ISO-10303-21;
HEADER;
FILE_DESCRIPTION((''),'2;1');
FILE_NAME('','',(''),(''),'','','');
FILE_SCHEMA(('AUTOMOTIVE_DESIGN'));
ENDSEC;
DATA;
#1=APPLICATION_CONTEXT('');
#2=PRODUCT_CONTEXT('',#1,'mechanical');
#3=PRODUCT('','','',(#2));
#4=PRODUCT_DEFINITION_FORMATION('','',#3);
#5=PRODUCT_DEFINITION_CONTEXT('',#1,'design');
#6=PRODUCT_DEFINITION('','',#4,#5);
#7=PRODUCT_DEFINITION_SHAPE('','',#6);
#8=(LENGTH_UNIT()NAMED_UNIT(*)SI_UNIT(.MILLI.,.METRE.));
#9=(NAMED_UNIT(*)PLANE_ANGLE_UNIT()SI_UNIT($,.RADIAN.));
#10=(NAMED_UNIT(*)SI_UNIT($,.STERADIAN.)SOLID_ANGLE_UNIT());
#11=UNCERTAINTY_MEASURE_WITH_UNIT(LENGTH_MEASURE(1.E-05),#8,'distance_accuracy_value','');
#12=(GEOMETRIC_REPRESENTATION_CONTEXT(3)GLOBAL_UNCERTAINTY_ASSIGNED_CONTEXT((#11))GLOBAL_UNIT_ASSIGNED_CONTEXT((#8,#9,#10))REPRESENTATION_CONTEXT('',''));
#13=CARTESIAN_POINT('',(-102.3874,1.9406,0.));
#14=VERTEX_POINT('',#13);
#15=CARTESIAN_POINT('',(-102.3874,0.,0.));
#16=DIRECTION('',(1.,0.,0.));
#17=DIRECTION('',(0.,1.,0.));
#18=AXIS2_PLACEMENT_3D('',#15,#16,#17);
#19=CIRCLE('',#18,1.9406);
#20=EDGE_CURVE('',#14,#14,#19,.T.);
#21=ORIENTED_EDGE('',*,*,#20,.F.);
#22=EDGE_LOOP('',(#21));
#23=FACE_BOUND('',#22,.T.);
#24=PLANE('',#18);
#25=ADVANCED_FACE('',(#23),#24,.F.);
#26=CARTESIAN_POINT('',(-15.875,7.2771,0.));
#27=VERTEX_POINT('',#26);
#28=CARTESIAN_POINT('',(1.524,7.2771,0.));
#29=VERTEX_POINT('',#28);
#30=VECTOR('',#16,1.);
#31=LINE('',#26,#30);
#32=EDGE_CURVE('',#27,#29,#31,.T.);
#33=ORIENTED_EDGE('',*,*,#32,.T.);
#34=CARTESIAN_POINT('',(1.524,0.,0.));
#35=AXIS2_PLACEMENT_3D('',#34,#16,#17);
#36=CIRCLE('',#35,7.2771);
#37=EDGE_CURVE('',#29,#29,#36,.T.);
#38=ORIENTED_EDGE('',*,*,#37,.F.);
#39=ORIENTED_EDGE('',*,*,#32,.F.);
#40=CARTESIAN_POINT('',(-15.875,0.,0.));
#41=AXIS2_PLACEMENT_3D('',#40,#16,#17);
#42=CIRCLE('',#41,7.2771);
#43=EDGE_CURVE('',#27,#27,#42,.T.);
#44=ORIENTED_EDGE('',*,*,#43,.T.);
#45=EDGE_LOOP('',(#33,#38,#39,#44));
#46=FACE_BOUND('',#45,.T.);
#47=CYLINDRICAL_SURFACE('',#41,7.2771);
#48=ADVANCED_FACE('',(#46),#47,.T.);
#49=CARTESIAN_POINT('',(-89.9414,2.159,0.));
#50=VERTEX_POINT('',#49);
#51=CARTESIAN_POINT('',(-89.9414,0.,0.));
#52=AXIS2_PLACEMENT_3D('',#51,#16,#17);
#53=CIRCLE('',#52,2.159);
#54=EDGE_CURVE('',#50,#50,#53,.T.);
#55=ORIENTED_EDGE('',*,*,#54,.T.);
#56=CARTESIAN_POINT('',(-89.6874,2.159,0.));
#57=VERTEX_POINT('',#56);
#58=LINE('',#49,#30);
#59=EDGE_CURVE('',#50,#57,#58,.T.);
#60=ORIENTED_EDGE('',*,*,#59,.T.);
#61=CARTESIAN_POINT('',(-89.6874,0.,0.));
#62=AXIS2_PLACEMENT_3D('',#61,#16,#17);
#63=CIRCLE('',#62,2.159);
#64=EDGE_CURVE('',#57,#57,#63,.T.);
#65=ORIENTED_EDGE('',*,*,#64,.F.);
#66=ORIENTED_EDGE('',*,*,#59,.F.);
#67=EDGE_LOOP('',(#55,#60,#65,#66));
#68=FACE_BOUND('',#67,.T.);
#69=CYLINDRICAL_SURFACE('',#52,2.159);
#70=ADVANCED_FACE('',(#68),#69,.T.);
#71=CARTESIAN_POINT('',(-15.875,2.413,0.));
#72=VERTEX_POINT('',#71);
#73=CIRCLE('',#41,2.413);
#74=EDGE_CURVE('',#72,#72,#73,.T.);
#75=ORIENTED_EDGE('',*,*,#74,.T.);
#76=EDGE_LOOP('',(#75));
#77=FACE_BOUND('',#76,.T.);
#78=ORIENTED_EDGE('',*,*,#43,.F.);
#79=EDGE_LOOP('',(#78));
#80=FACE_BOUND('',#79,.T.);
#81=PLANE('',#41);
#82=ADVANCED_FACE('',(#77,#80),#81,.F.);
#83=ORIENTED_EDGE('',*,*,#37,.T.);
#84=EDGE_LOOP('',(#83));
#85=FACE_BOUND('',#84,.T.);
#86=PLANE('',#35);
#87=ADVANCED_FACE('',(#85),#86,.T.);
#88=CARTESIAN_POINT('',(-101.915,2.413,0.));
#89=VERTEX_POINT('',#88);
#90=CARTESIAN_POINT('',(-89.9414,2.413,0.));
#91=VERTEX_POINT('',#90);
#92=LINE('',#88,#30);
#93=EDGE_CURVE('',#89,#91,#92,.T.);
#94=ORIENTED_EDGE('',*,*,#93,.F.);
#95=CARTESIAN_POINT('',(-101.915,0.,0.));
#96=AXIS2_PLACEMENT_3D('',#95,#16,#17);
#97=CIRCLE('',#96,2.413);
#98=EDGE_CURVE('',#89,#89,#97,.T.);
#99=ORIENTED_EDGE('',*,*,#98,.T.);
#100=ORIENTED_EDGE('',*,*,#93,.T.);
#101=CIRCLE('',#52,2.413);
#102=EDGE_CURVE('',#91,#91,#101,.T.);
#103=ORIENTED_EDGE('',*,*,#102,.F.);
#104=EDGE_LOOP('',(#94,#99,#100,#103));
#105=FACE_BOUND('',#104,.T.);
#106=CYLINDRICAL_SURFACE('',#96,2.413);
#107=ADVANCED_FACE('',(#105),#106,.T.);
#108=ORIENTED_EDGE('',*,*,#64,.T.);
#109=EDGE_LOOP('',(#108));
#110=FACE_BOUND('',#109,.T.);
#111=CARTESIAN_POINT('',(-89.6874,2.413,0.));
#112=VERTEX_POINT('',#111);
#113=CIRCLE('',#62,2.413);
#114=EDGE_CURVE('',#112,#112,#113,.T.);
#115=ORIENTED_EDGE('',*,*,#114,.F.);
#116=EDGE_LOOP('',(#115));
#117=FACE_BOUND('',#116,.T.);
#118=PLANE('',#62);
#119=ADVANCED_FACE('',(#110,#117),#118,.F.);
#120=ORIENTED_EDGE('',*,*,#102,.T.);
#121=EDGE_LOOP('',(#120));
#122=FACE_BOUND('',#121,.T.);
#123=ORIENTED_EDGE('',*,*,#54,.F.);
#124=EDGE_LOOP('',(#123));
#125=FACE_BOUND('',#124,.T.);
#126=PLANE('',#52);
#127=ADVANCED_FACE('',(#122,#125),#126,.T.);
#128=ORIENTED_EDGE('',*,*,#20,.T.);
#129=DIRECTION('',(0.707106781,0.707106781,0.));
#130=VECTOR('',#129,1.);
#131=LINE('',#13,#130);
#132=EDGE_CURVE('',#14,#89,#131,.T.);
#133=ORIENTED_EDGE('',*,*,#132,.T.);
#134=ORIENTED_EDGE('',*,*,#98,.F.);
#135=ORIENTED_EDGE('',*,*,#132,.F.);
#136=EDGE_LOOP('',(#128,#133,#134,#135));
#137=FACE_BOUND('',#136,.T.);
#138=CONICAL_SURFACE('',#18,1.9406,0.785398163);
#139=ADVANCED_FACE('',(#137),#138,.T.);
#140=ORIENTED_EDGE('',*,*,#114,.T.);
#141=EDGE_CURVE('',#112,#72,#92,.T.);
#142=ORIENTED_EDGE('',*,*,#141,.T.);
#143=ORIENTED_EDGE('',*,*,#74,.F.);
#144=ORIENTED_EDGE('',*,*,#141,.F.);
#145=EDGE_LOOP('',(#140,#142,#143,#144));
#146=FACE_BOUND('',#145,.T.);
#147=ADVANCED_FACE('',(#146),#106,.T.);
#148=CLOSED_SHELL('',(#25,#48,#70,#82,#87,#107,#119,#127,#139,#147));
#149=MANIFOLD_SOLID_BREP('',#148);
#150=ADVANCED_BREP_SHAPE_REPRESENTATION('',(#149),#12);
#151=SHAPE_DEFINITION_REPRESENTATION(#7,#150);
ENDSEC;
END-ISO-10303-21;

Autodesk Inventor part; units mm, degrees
sketch "Sketch_3" plane through (0, 0, 0) normal (0, 0, 1) x (1, 0, 0)
  line L0 (0, 0) -> (-102.3874, 0)
  line L1 (-102.3874, 0) -> (-102.3874, 1.9406)
  line L2 (-102.3874, 1.9406) -> (-101.915, 2.413)
  line L3 (-101.915, 2.413) -> (0, 2.413)
  line L4 (0, 2.413) -> (0, 0)
  line L5 (0, 0) -> (-102.3874, 0)
revolve "Revolution1" add sketch "Sketch_3" angle 360 about axis through (0, 0, 0) along (1, 0, 0)
thread "Thread1" size "10-32 UNF" class "2A" standard "ANSI Unified Screw Threads" length 12.446 offset 89.9414
sketch "Sketch_17" plane through (0, 0, 0) normal (0, 0, 1) x (1, 0, 0)
  line L0 (102.3874, 0) -> (-102.3874, 0)
  line L1 (-89.9414, 2.413) -> (-89.9414, 2.159)
  line L2 (-89.9414, 2.159) -> (-89.6874, 2.159)
  line L3 (-89.6874, 2.159) -> (-89.6874, 2.413)
  line L4 (-89.6874, 2.413) -> (-89.9414, 2.413)
revolve "Revolution2" cut sketch "Sketch_17" angle 360 about axis through (102.3874, 0, 0) along (1, 0, 0)
sketch "Sketch_12" plane through (0, 0, 0) normal (0, 0, 1) x (1, 0, 0)
  line L0 (1.524, 0) -> (-15.875, 0)
  line L1 (-15.875, 0) -> (-15.875, 7.2771)
  line L2 (-15.875, 7.2771) -> (1.524, 7.2771)
  line L3 (1.524, 7.2771) -> (1.524, 0)
  line L4 (1.524, 0) -> (-15.875, 0)
revolve "Revolution3" add sketch "Sketch_12" angle 360 about axis through (1.524, 0, 0) along (1, 0, 0)
ref_plane "h1_XY" through (-102.3874, 0, 0) normal (0, 1, 0) x (1, 0, 0)
ref_plane "h1_YZ" through (-102.3874, 0, 0) normal (1, 0, 0) x (0, 0, -1)
ref_plane "h1_ZX" through (-102.3874, 0, 0) normal (0, 0, -1) x (0, 1, 0)
ref_plane "h2_XY" through (-89.6874, 0, 0) normal (0, 1, 0) x (1, 0, 0)
ref_plane "h2_YZ" through (-89.6874, 0, 0) normal (1, 0, 0) x (0, 0, -1)
ref_plane "h2_ZX" through (-89.6874, 0, 0) normal (0, 0, -1) x (0, 1, 0)
ref_plane "k1_XY" through (-102.3874, 0, -2.413) normal (0, 1, 0) x (1, 0, 0)
ref_plane "k1_YZ" through (-102.3874, 0, -2.413) normal (1, 0, 0) x (0, 0, -1)
ref_plane "k1_ZX" through (-102.3874, 0, -2.413) normal (0, 0, -1) x (0, 1, 0)
ref_plane "k2_XY" through (-102.3874, 0, 2.413) normal (0, 1, 0) x (1, 0, 0)
ref_plane "k2_YZ" through (-102.3874, 0, 2.413) normal (1, 0, 0) x (0, 0, -1)
ref_plane "k2_ZX" through (-102.3874, 0, 2.413) normal (0, 0, -1) x (0, 1, 0)
ref_plane "start_XY" through (-89.6874, 0, 0) normal (0, 1, 0) x (1, 0, 0)
ref_plane "start_YZ" through (-89.6874, 0, 0) normal (1, 0, 0) x (0, 0, -1)
ref_plane "start_ZX" through (-89.6874, 0, 0) normal (0, 0, -1) x (0, 1, 0)
ref_plane "to_prc_XY" through (-89.6874, 0, 0) normal (1, 0, 0) x (0, 0, -1)
ref_plane "to_prc_YZ" through (-89.6874, 0, 0) normal (0, 0, -1) x (0, 1, 0)
ref_plane "to_prc_ZX" through (-89.6874, 0, 0) normal (0, 1, 0) x (1, 0, 0)
ref_plane "to_rod_guide_XY" through (-102.3874, 0, 0) normal (1, 0, 0) x (0, 0, -1)
ref_plane "to_rod_guide_YZ" through (-102.3874, 0, 0) normal (0, 0, -1) x (0, 1, 0)
ref_plane "to_rod_guide_ZX" through (-102.3874, 0, 0) normal (0, 1, 0) x (1, 0, 0)
properties part number "D-75081.5-0.25-4.031-3pos"
